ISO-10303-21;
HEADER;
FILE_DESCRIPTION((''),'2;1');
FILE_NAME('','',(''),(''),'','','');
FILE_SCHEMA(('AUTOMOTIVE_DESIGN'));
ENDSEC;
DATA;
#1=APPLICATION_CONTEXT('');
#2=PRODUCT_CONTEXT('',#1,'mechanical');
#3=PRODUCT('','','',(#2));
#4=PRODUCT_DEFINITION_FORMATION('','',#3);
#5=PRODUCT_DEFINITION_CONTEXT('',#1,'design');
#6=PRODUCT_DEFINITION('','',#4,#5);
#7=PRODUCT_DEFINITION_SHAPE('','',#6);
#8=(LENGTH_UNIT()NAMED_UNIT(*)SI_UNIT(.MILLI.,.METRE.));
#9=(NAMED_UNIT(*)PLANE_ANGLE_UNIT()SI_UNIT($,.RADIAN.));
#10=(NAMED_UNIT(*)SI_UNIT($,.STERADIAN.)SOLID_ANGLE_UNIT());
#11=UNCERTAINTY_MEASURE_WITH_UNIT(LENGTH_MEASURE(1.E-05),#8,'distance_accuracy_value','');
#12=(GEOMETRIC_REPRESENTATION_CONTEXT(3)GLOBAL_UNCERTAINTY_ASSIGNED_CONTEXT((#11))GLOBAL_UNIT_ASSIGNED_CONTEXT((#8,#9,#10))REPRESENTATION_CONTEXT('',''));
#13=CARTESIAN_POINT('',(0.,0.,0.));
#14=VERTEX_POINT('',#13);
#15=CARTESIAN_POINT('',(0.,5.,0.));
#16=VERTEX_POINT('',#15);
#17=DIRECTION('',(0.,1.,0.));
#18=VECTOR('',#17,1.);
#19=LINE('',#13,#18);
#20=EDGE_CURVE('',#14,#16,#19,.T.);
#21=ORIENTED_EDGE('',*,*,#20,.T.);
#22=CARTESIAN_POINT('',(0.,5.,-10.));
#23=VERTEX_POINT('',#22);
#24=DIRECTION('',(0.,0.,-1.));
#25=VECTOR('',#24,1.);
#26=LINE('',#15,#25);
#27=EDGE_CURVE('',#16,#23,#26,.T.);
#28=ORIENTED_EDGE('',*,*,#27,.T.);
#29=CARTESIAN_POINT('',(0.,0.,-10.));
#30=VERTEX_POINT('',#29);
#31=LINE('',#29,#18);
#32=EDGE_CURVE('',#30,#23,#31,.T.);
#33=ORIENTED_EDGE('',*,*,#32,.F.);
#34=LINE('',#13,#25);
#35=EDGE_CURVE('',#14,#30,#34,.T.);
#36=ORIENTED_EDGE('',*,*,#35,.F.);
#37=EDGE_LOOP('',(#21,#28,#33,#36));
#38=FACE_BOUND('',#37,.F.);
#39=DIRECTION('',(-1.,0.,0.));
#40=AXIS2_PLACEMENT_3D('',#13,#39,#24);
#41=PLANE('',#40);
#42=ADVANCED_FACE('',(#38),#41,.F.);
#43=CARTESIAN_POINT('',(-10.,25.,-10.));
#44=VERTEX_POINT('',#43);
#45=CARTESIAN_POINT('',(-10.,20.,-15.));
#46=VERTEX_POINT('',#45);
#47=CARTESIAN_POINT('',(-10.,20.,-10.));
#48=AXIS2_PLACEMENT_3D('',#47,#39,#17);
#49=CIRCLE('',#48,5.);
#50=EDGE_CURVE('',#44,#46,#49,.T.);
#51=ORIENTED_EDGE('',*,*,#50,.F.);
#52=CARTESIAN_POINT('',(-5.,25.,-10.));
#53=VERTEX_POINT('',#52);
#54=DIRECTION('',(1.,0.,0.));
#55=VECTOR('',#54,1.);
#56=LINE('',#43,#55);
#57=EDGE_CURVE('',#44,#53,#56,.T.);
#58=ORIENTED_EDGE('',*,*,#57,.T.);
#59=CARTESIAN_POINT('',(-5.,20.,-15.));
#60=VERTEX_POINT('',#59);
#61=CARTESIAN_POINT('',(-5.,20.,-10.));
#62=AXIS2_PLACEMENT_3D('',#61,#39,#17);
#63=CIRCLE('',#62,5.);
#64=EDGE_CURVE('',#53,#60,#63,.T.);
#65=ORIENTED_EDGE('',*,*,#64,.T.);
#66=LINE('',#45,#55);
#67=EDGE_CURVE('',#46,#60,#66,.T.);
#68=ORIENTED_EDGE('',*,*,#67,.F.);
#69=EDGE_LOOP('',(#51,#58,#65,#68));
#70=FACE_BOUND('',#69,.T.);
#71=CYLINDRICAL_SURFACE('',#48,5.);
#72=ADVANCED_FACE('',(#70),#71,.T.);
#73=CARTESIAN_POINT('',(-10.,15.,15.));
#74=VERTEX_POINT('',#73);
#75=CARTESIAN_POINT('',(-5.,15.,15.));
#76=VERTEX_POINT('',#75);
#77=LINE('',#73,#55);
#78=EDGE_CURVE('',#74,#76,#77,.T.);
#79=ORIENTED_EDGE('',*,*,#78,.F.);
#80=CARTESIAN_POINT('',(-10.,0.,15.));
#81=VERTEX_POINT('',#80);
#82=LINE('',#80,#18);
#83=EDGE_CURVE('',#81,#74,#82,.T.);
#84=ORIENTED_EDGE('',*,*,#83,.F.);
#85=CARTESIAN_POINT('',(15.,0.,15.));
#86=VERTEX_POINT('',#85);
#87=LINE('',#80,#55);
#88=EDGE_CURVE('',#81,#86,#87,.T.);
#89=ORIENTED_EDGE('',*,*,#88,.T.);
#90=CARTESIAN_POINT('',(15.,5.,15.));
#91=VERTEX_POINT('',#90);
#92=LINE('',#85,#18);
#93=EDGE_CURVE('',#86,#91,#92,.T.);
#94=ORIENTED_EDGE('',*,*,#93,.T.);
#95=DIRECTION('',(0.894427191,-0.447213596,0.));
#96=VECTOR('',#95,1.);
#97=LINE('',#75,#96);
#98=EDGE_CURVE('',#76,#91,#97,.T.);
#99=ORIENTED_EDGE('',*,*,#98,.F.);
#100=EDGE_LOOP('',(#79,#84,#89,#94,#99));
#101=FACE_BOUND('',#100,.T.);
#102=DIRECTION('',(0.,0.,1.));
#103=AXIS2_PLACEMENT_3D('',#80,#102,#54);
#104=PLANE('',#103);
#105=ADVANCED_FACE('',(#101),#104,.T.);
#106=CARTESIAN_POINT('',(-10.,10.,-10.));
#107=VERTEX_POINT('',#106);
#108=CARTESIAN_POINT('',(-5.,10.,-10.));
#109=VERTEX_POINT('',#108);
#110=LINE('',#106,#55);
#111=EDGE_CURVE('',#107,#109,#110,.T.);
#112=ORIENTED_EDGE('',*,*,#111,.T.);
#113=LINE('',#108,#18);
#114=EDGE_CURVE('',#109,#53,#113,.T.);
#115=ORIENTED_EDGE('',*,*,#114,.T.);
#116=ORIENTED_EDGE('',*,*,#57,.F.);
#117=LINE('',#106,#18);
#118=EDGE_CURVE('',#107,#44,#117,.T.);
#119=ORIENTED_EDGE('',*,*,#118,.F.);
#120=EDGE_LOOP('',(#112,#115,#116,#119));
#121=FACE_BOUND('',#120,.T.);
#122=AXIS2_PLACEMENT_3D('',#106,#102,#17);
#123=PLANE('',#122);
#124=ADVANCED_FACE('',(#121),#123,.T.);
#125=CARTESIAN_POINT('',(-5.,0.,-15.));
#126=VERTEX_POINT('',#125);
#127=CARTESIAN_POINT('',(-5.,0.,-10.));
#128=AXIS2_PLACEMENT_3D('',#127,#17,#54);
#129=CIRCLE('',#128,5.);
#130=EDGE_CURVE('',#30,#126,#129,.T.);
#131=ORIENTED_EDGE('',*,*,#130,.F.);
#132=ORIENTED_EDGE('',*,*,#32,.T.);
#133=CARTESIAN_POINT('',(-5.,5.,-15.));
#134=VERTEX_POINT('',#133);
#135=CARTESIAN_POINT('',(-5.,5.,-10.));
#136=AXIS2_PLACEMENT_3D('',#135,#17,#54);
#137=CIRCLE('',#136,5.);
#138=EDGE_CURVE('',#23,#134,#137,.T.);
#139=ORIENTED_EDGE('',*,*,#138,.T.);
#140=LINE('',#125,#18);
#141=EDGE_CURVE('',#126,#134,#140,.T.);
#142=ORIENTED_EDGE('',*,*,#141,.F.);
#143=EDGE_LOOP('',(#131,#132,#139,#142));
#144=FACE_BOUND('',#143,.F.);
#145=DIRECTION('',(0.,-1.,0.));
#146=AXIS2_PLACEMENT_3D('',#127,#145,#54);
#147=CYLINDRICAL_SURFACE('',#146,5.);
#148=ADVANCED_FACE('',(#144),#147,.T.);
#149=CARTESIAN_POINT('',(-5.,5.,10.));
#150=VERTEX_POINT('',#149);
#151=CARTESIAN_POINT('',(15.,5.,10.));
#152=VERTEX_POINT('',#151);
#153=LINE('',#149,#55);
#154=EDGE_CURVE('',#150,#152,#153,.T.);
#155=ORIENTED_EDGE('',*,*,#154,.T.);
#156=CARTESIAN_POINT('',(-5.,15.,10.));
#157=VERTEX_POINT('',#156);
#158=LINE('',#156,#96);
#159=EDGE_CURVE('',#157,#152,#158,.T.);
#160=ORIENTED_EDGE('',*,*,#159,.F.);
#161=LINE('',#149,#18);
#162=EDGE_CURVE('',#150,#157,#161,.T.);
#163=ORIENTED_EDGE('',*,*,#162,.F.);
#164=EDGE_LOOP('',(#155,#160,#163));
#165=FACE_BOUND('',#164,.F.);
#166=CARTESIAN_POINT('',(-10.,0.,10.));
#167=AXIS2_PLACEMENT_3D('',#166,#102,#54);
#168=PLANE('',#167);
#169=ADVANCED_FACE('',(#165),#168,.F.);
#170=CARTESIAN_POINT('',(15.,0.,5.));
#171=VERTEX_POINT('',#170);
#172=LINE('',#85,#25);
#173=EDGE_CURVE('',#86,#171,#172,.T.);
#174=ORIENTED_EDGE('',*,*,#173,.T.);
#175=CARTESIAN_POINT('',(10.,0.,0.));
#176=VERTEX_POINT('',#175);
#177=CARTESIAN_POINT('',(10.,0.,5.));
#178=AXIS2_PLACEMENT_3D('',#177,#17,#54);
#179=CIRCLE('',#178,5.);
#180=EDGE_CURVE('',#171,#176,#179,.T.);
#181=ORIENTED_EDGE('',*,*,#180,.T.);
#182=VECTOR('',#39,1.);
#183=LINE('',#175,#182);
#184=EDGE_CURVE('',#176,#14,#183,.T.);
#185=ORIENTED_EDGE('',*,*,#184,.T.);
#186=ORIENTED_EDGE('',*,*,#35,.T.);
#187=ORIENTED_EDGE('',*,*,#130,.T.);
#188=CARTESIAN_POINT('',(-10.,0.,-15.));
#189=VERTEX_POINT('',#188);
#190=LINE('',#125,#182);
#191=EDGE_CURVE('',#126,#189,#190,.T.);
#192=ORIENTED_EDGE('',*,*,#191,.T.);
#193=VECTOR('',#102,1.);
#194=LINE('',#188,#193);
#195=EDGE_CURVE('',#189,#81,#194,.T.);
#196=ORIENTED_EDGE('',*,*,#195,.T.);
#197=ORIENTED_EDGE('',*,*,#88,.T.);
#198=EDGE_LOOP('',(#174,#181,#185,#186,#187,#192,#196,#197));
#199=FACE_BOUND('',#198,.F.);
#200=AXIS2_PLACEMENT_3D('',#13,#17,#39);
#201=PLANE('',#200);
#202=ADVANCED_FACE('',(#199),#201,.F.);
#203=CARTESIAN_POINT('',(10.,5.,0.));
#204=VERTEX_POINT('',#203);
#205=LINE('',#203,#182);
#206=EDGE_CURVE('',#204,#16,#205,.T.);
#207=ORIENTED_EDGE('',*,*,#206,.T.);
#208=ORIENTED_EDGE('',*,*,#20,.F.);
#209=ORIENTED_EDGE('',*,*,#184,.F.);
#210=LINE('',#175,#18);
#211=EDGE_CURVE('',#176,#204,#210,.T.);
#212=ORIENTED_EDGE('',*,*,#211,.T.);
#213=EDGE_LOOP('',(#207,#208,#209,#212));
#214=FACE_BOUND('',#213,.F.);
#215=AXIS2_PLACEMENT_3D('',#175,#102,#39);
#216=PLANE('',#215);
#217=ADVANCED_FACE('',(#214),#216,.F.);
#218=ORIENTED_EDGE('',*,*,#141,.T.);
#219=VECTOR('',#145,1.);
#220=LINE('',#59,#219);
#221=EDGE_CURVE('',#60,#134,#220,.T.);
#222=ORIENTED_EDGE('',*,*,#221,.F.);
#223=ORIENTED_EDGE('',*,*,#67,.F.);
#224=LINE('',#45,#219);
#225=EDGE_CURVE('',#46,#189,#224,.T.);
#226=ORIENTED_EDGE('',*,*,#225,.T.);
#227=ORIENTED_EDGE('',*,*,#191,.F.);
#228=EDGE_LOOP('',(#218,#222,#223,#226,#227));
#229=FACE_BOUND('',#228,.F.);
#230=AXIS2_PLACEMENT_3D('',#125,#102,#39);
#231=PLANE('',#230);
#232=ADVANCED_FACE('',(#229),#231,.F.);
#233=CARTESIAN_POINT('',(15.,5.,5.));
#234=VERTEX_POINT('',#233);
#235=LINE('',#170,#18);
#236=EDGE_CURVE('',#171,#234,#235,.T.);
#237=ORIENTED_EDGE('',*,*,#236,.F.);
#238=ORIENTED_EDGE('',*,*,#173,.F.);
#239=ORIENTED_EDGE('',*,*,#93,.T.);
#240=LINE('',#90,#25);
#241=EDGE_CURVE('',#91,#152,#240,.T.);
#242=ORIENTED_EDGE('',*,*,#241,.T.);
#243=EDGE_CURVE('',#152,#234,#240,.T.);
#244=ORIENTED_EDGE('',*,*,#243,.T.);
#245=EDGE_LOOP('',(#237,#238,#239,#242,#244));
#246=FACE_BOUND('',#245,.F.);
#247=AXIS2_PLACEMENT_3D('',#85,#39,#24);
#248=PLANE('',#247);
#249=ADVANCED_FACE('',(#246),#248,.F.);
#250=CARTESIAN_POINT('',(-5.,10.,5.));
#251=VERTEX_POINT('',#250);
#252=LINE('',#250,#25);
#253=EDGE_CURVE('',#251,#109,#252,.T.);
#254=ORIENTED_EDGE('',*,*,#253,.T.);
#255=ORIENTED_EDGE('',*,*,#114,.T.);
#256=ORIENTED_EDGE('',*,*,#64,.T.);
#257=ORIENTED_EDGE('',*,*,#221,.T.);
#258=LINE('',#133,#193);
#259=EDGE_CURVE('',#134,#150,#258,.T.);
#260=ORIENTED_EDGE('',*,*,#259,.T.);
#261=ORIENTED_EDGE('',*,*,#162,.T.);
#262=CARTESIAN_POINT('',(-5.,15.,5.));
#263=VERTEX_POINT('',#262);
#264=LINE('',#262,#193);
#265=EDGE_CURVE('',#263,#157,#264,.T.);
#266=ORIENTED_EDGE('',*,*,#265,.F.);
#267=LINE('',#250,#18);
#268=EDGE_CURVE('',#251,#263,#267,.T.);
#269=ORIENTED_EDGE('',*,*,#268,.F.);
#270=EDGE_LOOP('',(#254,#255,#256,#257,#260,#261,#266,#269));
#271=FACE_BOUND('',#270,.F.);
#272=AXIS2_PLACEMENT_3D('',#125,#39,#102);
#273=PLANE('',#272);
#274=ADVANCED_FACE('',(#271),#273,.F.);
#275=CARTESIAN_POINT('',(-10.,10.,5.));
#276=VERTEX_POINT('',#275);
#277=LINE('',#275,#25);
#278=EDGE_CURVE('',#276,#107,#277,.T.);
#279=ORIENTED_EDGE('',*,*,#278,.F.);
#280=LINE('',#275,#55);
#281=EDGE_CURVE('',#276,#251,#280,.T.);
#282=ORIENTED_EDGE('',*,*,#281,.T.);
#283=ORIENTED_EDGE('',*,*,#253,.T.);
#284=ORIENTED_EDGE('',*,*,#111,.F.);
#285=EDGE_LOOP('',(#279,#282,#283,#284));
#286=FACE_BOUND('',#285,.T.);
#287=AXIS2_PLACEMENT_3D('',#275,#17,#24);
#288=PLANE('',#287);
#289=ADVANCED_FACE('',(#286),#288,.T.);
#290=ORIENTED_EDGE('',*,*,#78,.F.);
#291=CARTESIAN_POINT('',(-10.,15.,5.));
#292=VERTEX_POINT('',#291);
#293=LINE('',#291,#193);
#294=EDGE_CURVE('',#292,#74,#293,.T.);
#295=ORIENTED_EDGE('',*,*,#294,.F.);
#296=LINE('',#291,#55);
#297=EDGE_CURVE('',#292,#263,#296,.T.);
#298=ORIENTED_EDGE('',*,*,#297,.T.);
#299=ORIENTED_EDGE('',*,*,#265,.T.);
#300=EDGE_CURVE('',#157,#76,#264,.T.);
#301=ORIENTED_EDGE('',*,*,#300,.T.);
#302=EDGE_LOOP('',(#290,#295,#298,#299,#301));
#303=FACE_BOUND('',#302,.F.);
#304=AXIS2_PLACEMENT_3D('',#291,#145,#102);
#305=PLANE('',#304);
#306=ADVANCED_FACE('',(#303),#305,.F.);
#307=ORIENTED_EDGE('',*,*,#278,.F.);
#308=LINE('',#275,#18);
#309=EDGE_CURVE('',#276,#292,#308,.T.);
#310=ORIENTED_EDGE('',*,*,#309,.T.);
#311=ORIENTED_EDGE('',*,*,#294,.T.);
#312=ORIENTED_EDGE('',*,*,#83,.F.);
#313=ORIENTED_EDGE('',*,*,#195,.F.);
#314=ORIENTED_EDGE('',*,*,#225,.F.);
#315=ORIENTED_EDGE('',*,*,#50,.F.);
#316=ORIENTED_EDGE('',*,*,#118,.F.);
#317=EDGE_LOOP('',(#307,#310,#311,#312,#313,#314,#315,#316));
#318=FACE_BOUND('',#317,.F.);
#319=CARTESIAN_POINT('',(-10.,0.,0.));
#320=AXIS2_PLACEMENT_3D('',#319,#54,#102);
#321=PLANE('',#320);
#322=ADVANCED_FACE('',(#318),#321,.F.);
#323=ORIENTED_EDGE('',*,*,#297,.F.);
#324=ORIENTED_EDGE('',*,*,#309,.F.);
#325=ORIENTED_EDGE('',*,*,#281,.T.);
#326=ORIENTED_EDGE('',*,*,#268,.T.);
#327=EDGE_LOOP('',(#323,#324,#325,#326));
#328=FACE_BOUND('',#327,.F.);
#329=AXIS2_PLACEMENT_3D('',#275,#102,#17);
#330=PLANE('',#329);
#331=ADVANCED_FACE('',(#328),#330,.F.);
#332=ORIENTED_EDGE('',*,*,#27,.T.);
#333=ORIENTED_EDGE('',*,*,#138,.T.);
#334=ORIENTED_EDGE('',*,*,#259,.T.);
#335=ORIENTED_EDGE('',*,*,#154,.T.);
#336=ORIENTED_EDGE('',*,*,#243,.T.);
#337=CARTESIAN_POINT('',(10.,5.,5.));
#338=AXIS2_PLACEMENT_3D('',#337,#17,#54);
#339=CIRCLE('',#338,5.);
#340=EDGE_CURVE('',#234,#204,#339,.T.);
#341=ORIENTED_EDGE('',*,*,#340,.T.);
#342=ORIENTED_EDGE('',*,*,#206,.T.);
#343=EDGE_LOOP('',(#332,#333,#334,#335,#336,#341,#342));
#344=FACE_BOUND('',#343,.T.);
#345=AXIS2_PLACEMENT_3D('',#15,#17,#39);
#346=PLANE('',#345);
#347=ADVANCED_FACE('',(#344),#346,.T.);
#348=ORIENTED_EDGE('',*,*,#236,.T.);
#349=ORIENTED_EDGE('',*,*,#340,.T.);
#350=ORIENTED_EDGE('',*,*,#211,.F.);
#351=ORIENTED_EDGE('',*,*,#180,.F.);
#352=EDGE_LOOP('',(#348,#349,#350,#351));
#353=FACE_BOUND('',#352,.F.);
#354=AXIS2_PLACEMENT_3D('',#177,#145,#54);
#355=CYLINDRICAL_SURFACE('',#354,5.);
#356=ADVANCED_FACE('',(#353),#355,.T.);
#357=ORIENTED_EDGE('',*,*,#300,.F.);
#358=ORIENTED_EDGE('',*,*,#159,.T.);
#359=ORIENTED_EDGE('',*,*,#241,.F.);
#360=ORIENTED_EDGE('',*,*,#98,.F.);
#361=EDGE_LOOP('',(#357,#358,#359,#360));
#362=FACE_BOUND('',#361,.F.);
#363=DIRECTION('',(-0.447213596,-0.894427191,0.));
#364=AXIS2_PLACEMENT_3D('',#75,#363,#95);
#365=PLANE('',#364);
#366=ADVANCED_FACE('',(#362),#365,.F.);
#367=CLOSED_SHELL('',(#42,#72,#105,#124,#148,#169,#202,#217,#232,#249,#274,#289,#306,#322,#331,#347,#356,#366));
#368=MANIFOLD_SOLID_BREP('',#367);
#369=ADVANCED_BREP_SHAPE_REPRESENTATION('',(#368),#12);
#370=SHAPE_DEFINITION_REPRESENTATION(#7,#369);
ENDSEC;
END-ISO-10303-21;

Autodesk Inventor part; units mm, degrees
ref_plane "YZ Plane" through (0, 0, 0) normal (1, 0, 0) x (0, 1, 0)
ref_plane "XZ Plane" through (0, 0, 0) normal (0, 1, 0) x (-1, 0, 0)
ref_plane "XY Plane" through (0, 0, 0) normal (0, 0, 1) x (1, 0, 0)
sketch "草圖1" plane through (0, 0, 0) normal (0, 1, 0) x (-1, 0, 0)
  line L0 (10, 15) -> (-15, 15)
  line L1 (-15, 15) -> (-15, 5)
  line L2 (-10, 0) -> (0, 0)
  line L3 (10, 0) -> (10, 15)
  line L4 (10, 15) -> (0, 15)
  line L5 (0, 0) -> (0, -10)
  line L6 (5, -15) -> (10, -15)
  line L7 (10, -15) -> (10, 15)
  arc A0 (0, -10) -> (5, -15) centre (5, -10) ccw
  arc A1 (-15, 5) -> (-10, 0) centre (-10, 5) ccw
  point P0 (-15, 0)
  point P1 (0, -15)
  dimension "d0" = 15
  dimension "d1" = 10
  dimension "d2" = 30
  dimension "d3" = 25
  dimension "d4" = 5
extrude "擠出1" add sketch "草圖1" along normal blind 5
sketch "草圖2" plane through (-10, 0, -15) normal (-1, 0, 0) x (0, 0, 1)
  line L0 (30, 0) -> (20, 0) construction
  line L1 (20, 0) -> (20, 5) construction
  line L2 (30, 5) -> (20, 5) construction
  line L3 (30, 0) -> (30, 5) construction
  line L4 (20, 0) -> (15, 0) construction
  line L5 (15, 0) -> (15, 5) construction
  line L6 (20, 5) -> (15, 5) construction
  line L7 (20, 0) -> (20, 5) construction
  line L8 (15, 0) -> (5, 0) construction
  line L9 (5, 0) -> (5, 5) construction
  line L10 (15, 5) -> (5, 5) construction
  line L11 (15, 0) -> (15, 5) construction
  line L12 (5, 0) -> (0, 0) construction
  line L13 (0, 0) -> (0, 5) construction
  line L14 (5, 5) -> (0, 5) construction
  line L15 (5, 0) -> (5, 5) construction
  line L16 (30, 0) -> (30, 5) projected
  line L17 (30, 5) -> (20, 5)
  line L18 (20, 10) -> (20, 15)
  line L19 (20, 15) -> (30, 15)
  line L20 (30, 15) -> (30, 5)
  line L21 (15, 5) -> (5, 5) projected
  line L22 (20, 10) -> (5, 10)
  line L23 (5, 5) -> (20, 5)
  line L24 (0, 5) -> (30, 5) projected
  line L25 (0, 5) -> (5, 5)
  line L26 (5, 10) -> (5, 25)
  line L27 (5, 25) -> (5, 25)
  line L28 (0, 20) -> (0, 5)
  arc A0 (5, 25) -> (0, 20) centre (5, 20) ccw
  point P0 (0, 25)
  dimension "d7" = 5
  dimension "d8" = 10
  dimension "d9" = 10
  dimension "d10" = 5
  dimension "d11" = 20
  dimension "d12" = 5
extrude "擠出2" add sketch "草圖2" against normal blind 5
sketch "草圖3" plane through (-10, 0, 15) normal (0, 0, 1) x (1, 0, 0)
  line L0 (0, 0) -> (25, 0) construction
  line L1 (25, 0) -> (25, 5) construction
  line L2 (5, 5) -> (25, 5) construction
  line L3 (5, 15) -> (5, 5) construction
  line L4 (0, 15) -> (5, 15) construction
  line L5 (0, 0) -> (0, 15) construction
  line L6 (5, 5) -> (25, 5) projected
  line L7 (5, 15) -> (25, 5)
  line L8 (25, 5) -> (5, 5)
  line L9 (5, 5) -> (5, 15)
  point P0 (10, 0)
extrude "擠出3" add sketch "草圖3" against normal blind 5
properties part number "5"
